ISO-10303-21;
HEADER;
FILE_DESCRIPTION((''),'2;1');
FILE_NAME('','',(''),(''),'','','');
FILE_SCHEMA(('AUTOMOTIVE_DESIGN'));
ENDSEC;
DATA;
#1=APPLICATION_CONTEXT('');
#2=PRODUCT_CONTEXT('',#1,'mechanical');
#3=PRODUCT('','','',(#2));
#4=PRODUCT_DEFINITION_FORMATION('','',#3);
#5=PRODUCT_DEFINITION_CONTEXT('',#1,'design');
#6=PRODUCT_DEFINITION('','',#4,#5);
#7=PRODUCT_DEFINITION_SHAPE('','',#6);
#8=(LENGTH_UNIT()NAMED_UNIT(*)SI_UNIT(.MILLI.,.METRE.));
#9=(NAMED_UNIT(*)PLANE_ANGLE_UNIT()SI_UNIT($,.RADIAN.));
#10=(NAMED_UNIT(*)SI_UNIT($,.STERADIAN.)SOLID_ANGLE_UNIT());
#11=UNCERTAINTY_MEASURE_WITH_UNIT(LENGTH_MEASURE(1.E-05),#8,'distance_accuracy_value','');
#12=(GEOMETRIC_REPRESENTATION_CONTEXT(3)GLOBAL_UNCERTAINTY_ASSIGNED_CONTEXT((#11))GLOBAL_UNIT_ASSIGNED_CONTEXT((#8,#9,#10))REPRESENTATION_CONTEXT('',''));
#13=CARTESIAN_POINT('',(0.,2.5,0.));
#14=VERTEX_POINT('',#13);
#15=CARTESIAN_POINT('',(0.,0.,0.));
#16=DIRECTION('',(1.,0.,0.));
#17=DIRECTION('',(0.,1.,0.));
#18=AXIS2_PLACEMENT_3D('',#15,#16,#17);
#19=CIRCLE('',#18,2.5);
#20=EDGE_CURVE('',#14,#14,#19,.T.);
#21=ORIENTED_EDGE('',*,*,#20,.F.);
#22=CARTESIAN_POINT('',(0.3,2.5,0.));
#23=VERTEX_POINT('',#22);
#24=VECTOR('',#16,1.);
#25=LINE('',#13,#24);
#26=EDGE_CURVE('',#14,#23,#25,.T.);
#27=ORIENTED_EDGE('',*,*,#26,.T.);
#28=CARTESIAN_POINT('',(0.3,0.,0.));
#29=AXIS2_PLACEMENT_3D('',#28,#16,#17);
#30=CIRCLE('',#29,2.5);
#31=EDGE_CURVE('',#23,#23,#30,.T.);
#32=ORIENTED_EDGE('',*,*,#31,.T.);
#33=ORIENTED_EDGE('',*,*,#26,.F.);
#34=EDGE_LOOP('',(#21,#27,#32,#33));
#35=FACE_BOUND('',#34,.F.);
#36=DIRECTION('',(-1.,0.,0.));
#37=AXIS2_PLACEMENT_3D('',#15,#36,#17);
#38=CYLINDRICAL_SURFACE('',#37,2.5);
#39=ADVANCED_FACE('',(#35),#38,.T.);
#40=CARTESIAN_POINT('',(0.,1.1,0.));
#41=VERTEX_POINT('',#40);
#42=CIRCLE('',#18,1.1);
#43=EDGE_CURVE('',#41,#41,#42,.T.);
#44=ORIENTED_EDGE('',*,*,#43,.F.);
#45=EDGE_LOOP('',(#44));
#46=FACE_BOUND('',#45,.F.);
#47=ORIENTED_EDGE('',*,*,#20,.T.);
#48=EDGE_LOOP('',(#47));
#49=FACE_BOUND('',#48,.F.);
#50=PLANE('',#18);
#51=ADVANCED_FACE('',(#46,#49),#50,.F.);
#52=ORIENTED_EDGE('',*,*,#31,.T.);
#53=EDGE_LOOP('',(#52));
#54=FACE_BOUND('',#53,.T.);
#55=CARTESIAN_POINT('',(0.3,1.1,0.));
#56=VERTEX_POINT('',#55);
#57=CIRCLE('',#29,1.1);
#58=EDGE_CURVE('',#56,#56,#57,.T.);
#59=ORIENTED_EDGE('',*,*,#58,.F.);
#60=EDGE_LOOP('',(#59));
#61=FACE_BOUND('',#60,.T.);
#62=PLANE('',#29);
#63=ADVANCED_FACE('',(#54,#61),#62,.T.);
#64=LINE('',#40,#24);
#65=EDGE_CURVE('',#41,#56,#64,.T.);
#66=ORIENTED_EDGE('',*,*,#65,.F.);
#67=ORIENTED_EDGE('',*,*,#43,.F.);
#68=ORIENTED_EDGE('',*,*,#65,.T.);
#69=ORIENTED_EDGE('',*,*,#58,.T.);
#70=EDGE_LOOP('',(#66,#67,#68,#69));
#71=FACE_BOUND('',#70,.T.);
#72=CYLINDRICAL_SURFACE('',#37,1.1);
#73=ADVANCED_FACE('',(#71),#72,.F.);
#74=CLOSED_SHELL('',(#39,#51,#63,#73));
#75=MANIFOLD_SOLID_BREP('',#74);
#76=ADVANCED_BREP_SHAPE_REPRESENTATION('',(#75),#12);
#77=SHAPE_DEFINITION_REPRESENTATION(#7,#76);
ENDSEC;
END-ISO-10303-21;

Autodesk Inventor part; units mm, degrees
ref_plane "YZ Plane" through (0, 0, 0) normal (1, 0, 0) x (0, 1, 0)
ref_plane "XZ Plane" through (0, 0, 0) normal (0, 1, 0) x (-1, 0, 0)
sketch "Sketch" plane through (0, 0, 0) normal (1, 0, 0) x (0, 1, 0)
  circle A0 centre (0, 0) radius 2.5
  circle A1 centre (0, 0) radius 1.1
  dimension "d0" = 2.2
  dimension "d1" = 5
extrude "Body" add sketch "Sketch" along normal blind 0.3
ref_plane "Work Plane1" through (0, 0, 0) normal (0, 0, 1) x (1, 0, 0)
equation "\"d0\" = SD1"
equation "\"d1\" = SD2"
equation "\"d2\" = SD"
equation "\"SD1\" = 2.2"
equation "\"SD2\" = 5"
equation "\"SD\" = 0.3"
equation "\"NND\" = 2"
properties part number "ISO 7089 - 2" material "Stainless Steel"
